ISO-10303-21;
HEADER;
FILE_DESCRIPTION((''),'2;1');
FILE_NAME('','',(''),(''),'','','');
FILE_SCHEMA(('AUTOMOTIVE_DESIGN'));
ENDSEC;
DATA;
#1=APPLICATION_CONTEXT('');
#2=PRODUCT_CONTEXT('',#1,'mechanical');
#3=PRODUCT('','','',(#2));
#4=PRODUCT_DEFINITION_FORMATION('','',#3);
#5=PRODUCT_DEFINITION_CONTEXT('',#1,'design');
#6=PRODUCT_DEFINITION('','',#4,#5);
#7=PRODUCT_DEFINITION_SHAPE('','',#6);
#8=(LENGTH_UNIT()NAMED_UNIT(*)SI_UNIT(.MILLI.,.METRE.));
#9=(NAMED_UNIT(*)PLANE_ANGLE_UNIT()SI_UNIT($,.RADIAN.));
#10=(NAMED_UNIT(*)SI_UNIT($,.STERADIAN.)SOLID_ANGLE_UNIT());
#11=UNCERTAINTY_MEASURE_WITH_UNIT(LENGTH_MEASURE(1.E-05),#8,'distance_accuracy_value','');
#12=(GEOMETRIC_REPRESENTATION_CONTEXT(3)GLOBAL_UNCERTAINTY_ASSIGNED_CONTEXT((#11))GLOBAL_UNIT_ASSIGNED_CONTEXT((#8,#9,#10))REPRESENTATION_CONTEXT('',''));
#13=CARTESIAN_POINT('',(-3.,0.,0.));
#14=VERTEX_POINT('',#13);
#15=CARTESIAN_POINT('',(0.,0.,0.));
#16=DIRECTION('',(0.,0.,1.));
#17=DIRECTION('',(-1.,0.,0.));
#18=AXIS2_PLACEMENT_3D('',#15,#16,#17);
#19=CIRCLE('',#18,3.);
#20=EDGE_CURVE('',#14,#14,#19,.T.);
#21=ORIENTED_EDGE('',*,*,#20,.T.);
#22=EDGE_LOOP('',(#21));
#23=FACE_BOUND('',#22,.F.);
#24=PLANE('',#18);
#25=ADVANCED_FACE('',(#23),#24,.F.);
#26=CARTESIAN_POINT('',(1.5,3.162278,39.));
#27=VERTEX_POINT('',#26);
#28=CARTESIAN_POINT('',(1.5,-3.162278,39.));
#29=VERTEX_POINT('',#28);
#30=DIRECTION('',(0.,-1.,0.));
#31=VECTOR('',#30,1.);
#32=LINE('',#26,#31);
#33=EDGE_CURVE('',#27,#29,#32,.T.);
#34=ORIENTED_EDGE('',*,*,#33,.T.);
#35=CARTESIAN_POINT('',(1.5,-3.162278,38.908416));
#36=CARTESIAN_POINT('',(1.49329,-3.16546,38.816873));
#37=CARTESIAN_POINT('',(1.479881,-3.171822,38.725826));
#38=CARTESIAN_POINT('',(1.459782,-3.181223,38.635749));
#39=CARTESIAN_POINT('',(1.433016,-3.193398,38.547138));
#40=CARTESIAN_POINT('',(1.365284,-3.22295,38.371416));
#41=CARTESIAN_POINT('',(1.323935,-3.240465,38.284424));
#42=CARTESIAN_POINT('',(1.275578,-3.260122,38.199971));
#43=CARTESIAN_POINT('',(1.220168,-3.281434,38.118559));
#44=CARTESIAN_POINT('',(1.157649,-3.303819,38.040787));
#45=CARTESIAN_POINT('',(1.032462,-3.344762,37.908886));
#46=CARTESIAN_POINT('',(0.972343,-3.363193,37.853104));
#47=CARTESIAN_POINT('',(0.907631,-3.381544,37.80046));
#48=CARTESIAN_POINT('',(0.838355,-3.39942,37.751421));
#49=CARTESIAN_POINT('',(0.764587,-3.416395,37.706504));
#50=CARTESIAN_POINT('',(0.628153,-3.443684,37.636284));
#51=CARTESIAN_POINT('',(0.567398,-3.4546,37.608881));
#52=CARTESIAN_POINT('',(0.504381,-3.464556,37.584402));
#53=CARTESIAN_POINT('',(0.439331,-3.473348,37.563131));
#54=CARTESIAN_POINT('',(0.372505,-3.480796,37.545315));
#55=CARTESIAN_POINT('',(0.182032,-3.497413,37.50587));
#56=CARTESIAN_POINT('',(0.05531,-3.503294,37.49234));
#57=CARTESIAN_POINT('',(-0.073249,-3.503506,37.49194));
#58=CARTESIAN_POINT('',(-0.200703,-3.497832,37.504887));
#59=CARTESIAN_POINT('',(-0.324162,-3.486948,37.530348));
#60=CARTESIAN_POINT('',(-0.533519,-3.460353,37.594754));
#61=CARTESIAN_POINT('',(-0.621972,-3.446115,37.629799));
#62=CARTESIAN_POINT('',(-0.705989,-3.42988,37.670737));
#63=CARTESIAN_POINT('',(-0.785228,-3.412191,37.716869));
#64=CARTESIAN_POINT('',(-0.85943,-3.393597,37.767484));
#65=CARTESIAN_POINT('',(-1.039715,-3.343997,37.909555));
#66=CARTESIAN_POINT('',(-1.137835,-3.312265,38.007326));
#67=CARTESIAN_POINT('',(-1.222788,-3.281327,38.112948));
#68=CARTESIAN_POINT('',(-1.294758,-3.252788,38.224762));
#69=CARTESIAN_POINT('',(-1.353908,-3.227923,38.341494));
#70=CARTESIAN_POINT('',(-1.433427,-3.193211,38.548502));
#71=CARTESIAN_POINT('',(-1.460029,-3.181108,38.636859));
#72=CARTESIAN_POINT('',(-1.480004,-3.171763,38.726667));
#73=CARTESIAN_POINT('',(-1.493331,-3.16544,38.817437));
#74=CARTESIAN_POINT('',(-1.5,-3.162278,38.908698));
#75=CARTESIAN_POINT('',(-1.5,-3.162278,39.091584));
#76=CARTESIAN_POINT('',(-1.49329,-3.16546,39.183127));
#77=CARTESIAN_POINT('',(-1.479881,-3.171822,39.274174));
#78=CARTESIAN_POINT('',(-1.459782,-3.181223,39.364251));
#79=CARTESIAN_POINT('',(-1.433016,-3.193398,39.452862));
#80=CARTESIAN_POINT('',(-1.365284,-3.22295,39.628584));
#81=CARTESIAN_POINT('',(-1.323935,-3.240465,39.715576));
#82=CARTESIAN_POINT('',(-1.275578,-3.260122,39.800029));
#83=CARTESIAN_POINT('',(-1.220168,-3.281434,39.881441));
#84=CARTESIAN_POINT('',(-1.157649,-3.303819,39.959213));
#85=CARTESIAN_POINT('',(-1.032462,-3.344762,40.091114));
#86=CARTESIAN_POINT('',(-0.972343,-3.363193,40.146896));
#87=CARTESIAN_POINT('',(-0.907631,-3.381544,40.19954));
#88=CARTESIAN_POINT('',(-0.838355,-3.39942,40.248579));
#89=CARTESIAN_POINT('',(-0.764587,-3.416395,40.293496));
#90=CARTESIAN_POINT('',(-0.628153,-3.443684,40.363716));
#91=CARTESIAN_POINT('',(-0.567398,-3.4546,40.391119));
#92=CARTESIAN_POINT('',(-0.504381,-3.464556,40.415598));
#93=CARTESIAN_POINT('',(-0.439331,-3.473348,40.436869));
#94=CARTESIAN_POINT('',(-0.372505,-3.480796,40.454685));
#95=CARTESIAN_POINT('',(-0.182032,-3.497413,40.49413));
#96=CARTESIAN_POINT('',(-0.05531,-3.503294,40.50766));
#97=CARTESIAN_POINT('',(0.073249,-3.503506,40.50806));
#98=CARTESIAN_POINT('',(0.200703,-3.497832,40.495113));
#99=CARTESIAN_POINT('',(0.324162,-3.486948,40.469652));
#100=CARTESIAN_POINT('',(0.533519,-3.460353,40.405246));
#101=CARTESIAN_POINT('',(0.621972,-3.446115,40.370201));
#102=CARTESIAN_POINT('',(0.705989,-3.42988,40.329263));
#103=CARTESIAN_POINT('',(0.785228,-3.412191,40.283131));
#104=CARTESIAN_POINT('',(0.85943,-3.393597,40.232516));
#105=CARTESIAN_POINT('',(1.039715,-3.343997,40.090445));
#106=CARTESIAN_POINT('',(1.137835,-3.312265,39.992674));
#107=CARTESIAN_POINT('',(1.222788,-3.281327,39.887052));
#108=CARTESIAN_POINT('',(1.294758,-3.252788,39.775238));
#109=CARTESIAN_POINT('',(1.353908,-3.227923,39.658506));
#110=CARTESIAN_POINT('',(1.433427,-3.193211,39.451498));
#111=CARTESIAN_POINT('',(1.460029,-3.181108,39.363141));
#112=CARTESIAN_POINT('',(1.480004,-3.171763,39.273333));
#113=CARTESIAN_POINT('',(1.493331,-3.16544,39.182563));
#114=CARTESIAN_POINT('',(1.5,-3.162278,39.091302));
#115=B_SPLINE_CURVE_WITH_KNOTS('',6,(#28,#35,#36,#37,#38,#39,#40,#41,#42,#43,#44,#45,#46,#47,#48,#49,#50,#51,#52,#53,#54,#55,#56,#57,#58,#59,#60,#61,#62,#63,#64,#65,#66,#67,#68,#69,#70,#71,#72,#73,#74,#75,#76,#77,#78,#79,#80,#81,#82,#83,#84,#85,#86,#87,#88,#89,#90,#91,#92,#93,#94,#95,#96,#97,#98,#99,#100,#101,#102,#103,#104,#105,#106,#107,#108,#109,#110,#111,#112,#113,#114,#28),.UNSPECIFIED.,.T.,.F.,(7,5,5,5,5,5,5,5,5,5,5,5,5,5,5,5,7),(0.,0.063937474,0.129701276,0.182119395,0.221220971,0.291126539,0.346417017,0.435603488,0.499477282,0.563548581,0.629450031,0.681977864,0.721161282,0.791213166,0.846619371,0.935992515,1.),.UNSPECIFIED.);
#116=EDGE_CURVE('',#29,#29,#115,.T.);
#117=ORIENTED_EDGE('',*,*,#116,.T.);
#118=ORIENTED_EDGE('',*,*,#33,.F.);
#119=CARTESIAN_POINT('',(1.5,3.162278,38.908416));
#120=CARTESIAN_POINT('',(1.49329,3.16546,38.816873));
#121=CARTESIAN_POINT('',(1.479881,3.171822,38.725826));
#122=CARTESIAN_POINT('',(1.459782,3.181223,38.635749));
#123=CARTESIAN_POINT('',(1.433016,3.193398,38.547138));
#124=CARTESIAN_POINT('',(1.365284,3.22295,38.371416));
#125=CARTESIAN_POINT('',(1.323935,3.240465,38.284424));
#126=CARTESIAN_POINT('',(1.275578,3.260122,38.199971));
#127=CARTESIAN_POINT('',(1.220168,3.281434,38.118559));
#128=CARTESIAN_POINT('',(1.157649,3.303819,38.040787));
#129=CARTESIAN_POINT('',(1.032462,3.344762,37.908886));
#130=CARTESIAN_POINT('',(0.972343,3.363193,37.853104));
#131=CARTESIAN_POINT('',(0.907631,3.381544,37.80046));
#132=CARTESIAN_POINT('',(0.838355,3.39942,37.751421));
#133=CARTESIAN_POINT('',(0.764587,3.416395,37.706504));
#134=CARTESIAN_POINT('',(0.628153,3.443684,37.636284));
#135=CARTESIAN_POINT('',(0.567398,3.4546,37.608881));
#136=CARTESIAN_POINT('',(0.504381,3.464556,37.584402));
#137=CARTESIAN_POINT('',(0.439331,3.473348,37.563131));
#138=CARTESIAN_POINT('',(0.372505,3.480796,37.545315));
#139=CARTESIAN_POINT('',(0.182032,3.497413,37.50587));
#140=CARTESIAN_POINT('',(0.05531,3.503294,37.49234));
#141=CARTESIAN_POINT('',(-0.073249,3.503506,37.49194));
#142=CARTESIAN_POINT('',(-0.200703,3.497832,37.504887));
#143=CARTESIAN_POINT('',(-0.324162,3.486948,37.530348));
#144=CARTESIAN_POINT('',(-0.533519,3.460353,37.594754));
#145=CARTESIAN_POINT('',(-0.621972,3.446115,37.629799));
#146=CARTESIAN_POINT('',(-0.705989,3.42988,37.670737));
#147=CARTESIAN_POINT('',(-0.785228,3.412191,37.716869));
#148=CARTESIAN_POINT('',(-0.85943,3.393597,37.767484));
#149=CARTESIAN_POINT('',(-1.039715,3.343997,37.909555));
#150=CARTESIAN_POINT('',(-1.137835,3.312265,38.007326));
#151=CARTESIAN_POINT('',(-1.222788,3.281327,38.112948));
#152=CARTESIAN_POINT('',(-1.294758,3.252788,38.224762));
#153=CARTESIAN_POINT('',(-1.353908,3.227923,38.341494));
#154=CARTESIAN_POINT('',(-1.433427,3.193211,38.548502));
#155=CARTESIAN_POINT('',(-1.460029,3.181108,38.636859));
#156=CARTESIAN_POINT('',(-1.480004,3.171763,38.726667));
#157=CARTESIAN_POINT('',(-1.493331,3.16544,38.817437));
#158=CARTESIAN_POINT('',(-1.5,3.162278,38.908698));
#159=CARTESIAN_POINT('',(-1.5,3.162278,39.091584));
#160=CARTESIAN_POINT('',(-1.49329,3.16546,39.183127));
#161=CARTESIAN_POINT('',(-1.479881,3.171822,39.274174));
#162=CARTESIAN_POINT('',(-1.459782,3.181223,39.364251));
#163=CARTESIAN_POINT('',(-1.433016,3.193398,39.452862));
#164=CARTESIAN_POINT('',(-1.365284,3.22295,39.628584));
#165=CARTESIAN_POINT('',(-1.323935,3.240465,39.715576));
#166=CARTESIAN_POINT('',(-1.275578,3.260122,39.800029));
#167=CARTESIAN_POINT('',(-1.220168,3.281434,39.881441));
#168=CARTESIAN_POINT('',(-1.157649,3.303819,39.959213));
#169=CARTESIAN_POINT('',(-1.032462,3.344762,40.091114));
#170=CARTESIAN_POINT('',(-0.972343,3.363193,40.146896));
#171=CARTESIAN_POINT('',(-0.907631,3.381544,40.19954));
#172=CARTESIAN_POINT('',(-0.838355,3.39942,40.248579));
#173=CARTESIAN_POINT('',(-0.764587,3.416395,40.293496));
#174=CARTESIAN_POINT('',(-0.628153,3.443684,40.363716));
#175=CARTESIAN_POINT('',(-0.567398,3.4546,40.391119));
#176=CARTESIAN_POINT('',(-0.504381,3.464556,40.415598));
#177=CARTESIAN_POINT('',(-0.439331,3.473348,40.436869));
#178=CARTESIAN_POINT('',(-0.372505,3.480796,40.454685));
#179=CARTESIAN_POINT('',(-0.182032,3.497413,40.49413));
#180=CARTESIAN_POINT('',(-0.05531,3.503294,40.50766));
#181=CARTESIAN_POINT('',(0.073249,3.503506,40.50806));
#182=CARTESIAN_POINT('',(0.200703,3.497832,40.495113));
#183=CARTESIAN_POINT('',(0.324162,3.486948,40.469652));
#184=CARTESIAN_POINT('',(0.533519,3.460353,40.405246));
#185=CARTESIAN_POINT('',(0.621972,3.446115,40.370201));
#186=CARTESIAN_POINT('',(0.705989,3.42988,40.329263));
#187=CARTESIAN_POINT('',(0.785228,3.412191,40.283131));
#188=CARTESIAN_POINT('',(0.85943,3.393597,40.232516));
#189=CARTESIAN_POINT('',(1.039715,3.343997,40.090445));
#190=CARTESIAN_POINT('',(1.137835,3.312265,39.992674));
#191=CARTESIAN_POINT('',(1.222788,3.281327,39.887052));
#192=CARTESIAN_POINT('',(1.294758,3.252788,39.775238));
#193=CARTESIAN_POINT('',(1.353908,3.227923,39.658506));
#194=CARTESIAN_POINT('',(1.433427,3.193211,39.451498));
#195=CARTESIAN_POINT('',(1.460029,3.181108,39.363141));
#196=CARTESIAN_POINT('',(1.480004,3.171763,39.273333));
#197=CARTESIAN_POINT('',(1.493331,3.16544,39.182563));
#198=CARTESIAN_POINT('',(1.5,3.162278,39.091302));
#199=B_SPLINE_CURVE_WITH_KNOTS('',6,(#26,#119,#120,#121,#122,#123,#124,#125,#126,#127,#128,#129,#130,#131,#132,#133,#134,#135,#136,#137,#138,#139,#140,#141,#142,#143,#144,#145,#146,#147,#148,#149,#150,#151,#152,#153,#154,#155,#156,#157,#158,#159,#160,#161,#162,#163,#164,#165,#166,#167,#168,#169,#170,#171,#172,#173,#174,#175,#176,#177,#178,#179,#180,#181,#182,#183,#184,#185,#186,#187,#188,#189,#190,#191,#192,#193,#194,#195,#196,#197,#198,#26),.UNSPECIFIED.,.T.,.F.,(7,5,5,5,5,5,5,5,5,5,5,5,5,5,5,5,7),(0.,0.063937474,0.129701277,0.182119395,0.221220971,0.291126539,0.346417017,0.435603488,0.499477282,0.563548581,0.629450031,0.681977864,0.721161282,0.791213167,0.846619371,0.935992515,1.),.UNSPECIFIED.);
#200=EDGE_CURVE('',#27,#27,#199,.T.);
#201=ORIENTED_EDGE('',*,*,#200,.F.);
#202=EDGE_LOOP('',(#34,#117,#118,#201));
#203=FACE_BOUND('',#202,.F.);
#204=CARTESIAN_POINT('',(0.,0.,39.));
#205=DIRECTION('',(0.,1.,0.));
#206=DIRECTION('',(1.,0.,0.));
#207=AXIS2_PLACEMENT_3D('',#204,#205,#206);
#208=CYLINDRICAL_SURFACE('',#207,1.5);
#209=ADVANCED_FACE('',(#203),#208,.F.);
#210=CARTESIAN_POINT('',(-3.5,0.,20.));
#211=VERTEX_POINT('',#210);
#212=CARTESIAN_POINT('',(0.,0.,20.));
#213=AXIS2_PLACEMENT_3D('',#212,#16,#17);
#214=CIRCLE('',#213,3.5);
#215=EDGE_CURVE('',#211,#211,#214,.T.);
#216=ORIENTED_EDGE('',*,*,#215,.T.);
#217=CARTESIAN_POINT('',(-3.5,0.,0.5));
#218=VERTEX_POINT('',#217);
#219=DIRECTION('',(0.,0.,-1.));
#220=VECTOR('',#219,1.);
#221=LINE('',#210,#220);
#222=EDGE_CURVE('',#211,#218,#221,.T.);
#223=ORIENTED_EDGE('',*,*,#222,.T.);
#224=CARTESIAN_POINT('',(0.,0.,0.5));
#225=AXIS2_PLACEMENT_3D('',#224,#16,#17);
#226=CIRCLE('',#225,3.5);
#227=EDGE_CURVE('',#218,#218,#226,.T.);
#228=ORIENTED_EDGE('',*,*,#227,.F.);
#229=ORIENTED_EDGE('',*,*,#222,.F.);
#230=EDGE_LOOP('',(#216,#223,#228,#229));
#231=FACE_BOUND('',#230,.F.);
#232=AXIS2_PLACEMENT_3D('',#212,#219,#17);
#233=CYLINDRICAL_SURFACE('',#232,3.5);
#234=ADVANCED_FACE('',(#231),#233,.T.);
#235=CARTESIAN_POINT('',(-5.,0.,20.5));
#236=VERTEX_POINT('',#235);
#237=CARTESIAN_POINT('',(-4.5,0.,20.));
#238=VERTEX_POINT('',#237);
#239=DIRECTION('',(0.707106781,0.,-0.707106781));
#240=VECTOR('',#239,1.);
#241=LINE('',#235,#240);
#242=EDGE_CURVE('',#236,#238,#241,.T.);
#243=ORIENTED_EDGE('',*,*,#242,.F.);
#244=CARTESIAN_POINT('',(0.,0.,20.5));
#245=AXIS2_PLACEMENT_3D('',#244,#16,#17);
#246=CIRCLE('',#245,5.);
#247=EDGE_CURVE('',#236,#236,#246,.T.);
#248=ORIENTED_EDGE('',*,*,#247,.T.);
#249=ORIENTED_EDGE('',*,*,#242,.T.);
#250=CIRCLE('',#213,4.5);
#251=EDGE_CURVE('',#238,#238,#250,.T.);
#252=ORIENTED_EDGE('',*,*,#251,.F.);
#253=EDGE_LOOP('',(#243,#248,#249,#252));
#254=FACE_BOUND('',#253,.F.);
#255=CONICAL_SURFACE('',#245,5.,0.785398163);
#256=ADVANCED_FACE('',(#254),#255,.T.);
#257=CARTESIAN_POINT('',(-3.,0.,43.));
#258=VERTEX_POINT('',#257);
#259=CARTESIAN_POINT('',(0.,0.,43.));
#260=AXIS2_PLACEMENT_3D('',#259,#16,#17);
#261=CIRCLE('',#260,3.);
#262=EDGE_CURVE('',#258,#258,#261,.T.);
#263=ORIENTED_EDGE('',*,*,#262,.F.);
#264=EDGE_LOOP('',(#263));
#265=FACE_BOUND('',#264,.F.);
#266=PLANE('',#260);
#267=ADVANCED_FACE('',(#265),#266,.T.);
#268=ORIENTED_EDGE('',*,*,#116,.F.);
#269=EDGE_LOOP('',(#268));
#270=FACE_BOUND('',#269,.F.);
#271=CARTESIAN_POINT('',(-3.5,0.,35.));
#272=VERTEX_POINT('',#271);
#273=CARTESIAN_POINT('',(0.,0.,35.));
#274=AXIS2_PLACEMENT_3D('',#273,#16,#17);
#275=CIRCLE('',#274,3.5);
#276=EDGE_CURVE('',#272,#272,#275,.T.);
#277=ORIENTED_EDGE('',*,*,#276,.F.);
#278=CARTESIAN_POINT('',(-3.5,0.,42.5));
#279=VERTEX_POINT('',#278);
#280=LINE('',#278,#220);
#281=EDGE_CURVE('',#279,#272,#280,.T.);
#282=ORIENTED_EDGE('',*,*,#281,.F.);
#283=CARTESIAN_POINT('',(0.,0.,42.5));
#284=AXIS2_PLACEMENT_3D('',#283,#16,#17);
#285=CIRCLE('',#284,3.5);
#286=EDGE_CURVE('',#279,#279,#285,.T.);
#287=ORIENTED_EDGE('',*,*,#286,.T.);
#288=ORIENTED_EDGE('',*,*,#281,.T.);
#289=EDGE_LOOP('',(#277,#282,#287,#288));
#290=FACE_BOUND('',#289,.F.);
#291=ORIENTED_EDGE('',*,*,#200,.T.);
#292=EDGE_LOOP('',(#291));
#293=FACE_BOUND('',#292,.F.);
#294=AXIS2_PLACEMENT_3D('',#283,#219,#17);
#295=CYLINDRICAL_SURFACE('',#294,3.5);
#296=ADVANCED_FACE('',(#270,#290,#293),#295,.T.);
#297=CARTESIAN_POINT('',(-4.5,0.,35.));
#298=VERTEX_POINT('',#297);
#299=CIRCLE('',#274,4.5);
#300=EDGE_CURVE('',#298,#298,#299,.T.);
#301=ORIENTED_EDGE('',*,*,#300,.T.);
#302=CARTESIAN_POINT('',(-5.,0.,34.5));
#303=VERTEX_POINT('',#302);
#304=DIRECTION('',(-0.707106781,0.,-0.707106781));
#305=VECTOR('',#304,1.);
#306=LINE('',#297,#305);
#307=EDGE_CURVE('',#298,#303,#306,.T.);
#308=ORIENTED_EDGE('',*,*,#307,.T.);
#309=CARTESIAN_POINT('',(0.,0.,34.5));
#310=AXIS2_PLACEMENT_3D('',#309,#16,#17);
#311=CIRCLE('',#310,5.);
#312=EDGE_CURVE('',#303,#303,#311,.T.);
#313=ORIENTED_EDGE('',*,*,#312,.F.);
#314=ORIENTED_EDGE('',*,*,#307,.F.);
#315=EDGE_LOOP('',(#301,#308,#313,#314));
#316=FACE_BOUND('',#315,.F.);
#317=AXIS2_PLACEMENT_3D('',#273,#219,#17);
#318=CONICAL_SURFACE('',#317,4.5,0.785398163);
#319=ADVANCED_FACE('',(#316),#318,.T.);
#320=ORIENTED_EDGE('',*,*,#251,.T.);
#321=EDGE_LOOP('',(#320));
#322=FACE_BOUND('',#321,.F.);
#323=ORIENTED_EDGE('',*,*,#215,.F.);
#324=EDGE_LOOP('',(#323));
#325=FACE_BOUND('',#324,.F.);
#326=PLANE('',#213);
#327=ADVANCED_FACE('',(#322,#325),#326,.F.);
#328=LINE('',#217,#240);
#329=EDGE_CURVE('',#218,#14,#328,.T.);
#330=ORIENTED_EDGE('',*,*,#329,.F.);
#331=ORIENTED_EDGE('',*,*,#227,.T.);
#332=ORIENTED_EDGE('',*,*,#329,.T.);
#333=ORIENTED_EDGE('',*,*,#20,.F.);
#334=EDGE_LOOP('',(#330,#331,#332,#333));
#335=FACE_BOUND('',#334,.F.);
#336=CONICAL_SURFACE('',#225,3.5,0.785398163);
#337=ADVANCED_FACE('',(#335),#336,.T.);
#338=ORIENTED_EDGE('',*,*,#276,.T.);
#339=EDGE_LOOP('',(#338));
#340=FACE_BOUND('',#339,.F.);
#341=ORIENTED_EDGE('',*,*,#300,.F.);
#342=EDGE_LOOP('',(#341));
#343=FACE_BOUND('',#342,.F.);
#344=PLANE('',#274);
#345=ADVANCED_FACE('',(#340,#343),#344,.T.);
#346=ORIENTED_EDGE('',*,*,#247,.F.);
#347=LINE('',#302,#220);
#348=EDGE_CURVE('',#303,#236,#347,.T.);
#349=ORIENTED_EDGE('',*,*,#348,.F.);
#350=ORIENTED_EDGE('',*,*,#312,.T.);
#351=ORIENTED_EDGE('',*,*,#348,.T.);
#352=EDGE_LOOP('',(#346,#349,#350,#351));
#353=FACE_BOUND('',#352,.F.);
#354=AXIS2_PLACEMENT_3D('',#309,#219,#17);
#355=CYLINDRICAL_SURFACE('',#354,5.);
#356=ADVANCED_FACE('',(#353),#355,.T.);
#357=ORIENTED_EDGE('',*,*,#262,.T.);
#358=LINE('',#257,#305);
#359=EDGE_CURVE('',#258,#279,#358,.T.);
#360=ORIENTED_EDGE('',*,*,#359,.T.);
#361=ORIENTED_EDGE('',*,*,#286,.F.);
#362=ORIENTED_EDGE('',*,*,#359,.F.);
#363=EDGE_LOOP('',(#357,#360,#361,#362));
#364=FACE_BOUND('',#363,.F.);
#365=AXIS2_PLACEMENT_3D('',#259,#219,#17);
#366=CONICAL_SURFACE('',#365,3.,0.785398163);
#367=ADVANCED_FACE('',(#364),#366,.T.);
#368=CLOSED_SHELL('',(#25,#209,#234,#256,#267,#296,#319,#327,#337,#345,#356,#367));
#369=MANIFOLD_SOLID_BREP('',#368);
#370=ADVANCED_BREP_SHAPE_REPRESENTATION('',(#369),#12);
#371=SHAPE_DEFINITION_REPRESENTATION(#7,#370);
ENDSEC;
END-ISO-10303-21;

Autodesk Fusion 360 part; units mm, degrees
sketch "Boceto1" plane through (0, 0, 0) normal (0, 0, 1) x (1, 0, 0)
  line L0 (0, 43) -> (3, 43)
  line L1 (3, 43) -> (3.5, 42.5)
  line L2 (3.5, 42.5) -> (3.5, 35)
  line L3 (3.5, 35) -> (4.5, 35)
  line L4 (4.5, 35) -> (5, 34.5)
  line L5 (5, 34.5) -> (5, 20.5)
  line L6 (5, 20.5) -> (4.5, 20)
  line L7 (4.5, 20) -> (3.5, 20)
  line L8 (3.5, 20) -> (3.5, 0.5)
  line L9 (3.5, 0.5) -> (3, 0)
  line L10 (3, 0) -> (0, 0)
  line L11 (0, 0) -> (0, 43)
  dimension "d2" = 45
  dimension "d3" = 0.5
  dimension "d4" = 0.5
  dimension "d5" = 0.5
  dimension "d6" = 0.5
  dimension "d7" = 3
  dimension "d8" = 8
  dimension "d9" = 15
  dimension "d10" = 43
  dimension "d12" = 5
sketch "Boceto2" plane through (0, 0, 0) normal (0, 1, 0) x (1, 0, 0)
  line L0 (-3, 0) -> (0, 0)
  line L1 (-4.5, -20) -> (-3.5, -20)
  line L2 (-3.5, -42.5) -> (-3.5, -35)
  line L3 (0, -43) -> (-3, -43)
  line L4 (-5, -34.5) -> (-5, -20.5)
  line L5 (-3.5, -35) -> (-4.5, -35)
  line L6 (-4.5, -35) -> (-5, -34.5)
  line L7 (-5, -20.5) -> (-4.5, -20)
  line L8 (0, 0) -> (0, -43)
  line L9 (-3, -43) -> (-3.5, -42.5)
  line L10 (-3.5, -20) -> (-3.5, -0.5)
  line L11 (-3.5, -0.5) -> (-3, 0)
  dimension "d13" = 45
  dimension "d14" = 0.5
  dimension "d18" = 3
  dimension "d19" = 8
  dimension "d20" = 15
  dimension "d21" = 43
  dimension "d22" = 5
revolve "Revolución1" add sketch "Boceto2" angle 360 about axis through (0, 0, 0) along (0, 0, 1)
sketch "Boceto3" plane through (0, 0, 0) normal (0, 1, 0) x (1, 0, 0)
  circle A0 centre (0, -39) radius 1.5
  line L0 (3, -43) -> (-3, -43)
  dimension "d24" = 4
  dimension "d25" = 3
extrude "Extruir1" cut sketch "Boceto3" along normal mid plane 10
